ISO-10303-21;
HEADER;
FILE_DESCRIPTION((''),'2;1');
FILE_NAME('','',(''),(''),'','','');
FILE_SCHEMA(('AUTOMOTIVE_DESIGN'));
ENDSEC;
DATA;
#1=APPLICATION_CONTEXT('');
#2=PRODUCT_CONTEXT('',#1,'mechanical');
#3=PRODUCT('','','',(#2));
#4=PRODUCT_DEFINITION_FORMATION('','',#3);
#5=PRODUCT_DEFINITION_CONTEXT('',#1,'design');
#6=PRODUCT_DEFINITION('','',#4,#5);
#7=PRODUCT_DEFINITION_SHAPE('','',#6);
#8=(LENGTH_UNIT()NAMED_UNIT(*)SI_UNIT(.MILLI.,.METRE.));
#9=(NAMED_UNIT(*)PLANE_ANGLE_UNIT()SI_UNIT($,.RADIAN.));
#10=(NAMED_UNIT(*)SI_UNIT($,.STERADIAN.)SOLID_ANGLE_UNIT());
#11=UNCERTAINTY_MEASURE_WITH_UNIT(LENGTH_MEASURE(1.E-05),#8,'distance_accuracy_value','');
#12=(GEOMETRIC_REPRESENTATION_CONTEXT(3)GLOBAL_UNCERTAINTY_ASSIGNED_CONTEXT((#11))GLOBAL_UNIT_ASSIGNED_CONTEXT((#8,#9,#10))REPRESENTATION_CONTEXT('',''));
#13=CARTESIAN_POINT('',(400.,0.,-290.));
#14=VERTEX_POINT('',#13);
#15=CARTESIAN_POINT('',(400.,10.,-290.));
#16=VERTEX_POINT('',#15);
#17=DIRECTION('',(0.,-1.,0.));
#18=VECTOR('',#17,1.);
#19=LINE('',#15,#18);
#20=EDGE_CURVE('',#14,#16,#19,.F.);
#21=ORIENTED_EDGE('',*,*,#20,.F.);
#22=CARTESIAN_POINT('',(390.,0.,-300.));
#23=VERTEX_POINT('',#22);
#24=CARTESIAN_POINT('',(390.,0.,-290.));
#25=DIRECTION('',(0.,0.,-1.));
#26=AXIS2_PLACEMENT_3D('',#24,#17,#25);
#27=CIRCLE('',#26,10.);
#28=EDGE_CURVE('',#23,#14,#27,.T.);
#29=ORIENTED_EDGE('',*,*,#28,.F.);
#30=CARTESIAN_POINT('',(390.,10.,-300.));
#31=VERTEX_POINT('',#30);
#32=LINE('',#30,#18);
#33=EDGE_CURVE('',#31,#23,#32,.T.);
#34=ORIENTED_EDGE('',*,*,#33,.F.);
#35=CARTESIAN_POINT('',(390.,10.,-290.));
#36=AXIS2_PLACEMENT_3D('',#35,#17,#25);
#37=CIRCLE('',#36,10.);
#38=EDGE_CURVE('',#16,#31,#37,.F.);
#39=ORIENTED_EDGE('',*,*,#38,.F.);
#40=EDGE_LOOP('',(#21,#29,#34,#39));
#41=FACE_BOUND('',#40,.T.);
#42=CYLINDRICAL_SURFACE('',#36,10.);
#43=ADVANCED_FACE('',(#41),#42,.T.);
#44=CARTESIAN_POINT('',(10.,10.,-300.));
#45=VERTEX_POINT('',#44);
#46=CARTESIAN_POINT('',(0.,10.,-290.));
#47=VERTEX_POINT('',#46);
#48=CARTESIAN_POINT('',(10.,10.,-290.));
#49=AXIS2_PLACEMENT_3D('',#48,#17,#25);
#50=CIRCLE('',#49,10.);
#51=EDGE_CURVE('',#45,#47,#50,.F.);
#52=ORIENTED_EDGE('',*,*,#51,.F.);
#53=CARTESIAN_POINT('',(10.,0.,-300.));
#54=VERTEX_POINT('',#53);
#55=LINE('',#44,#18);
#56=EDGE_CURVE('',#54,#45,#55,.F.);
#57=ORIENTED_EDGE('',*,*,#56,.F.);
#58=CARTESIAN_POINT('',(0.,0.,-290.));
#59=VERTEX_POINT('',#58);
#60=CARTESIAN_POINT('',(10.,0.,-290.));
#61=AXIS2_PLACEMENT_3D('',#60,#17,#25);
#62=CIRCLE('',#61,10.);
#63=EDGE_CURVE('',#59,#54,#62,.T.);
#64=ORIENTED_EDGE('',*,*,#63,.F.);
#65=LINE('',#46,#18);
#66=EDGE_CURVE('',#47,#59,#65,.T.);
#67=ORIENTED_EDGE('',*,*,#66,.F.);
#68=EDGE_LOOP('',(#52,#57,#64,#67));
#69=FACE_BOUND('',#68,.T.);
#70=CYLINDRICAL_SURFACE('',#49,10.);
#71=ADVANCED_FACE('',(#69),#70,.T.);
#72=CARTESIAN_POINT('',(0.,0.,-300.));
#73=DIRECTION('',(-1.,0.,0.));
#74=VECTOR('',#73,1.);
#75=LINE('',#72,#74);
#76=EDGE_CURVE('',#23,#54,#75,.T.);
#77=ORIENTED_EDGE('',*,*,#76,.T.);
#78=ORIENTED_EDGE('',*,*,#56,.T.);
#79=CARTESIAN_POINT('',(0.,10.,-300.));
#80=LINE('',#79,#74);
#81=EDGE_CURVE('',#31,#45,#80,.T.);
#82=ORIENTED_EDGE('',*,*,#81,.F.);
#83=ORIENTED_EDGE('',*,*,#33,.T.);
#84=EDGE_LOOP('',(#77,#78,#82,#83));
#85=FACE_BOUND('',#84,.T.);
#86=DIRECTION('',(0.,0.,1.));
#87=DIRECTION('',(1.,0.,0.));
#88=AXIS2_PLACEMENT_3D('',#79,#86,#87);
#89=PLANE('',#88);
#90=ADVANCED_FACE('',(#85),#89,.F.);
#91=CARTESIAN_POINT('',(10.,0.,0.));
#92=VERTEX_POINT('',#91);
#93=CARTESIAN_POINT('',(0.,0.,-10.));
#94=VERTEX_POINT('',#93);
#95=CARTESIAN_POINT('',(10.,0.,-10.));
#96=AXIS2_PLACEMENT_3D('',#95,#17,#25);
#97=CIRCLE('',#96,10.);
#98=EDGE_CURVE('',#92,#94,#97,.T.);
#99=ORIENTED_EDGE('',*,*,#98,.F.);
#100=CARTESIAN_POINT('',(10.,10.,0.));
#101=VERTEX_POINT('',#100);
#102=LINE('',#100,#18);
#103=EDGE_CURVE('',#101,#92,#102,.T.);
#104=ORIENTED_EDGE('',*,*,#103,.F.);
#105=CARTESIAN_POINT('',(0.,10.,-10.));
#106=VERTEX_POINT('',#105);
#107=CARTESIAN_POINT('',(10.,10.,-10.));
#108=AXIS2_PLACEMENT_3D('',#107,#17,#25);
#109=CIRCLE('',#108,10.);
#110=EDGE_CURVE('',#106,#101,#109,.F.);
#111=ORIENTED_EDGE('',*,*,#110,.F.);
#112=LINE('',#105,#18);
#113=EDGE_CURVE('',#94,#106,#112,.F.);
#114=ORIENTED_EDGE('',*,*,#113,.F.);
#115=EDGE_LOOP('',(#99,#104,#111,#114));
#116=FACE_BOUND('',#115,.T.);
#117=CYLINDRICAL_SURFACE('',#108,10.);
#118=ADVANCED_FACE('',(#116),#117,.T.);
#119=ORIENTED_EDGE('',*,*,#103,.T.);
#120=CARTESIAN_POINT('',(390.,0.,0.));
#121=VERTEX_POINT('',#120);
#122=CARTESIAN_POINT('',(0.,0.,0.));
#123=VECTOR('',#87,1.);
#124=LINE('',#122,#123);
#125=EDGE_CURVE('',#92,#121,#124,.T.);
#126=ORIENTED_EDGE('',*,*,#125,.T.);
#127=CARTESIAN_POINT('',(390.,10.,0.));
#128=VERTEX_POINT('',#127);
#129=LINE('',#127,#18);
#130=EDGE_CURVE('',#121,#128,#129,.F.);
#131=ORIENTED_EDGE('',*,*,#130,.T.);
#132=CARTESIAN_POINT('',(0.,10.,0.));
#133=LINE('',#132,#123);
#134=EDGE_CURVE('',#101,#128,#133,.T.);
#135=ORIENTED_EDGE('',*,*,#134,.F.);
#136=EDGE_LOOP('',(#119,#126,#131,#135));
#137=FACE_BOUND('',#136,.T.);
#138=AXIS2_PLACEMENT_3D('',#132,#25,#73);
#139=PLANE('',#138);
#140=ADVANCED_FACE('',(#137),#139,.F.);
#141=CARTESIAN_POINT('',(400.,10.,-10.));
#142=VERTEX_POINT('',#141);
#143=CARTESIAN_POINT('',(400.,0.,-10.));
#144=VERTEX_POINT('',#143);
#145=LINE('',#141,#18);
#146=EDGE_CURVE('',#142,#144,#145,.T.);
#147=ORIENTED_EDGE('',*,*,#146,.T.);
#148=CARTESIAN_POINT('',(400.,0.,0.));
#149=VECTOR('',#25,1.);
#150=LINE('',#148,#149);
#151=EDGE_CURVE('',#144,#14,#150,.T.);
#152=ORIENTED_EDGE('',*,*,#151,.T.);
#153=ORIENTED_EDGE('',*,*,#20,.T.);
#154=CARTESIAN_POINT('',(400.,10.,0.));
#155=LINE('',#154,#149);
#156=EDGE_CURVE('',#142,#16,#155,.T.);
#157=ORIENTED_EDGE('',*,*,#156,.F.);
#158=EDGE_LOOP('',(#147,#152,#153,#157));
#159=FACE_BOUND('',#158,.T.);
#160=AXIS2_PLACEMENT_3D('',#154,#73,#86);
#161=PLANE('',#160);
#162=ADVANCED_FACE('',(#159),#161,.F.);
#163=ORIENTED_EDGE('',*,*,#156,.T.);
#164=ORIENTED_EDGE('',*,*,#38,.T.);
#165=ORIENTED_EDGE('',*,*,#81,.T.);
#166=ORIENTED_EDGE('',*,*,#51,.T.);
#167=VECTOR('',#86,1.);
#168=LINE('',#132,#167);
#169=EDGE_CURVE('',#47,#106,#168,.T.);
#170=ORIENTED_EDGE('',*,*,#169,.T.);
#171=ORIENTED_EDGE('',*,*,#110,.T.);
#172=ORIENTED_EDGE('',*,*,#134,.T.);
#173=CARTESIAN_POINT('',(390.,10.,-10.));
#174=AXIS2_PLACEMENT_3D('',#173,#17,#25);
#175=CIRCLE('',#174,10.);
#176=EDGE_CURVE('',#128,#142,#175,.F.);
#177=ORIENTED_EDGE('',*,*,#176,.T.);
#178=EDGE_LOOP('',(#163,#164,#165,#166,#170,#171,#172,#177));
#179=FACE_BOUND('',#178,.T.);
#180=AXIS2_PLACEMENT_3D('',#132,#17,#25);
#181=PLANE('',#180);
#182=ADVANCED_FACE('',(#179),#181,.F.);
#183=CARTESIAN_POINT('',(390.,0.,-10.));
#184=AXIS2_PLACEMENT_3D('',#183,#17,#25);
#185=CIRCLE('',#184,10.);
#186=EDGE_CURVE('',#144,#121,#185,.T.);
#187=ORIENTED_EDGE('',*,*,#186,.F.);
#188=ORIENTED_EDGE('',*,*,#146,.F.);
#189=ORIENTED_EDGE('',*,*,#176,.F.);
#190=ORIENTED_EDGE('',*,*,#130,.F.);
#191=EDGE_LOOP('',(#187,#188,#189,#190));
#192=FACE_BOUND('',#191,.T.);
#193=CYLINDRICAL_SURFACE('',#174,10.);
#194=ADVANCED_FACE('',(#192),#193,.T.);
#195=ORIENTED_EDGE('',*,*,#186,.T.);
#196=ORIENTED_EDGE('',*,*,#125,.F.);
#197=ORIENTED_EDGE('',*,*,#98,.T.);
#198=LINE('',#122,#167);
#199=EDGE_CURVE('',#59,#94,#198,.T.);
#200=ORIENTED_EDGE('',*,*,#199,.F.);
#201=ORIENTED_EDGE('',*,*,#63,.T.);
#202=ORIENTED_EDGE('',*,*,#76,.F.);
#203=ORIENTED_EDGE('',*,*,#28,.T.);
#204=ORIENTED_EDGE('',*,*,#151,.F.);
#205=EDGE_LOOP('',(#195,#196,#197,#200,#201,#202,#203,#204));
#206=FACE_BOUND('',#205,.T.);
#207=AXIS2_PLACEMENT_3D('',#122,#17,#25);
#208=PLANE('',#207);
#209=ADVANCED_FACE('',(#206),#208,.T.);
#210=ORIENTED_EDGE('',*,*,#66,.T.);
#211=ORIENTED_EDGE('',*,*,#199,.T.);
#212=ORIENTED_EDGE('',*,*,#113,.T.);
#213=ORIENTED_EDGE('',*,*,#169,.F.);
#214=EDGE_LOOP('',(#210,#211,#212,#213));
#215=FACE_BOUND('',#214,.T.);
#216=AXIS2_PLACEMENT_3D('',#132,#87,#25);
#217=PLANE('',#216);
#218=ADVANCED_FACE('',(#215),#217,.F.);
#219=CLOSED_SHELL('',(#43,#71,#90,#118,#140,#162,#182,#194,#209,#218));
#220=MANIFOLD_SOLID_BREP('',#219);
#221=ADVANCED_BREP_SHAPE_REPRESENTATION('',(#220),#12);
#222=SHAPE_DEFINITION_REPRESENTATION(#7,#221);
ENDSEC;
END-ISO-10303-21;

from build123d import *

# Parameters (mm, degrees)
SKETCH1_W           = 400
SKETCH1_H           = 300
BOSS_EXTRUDE1_DEPTH = 10
FILLET1_R           = 10


with BuildPart() as part:
    # Sketch1 → Boss-Extrude1 (new body)
    with BuildSketch(Plane(origin=(0, 0, 0), x_dir=(1, 0, 0), z_dir=(0, 1, 0))):
        with Locations((200, 150)):
            Rectangle(SKETCH1_W, SKETCH1_H)
    extrude(amount=BOSS_EXTRUDE1_DEPTH)

    # Fillet1
    fillet1_edges = [part.edges().sort_by_distance(p)[0] for p in [
        (0, 5, -300),
        (400, 5, -300),
        (400, 5, 0),
        (0, 5, 0),
    ]]
    fillet(fillet1_edges, radius=FILLET1_R)


solid = part.part
